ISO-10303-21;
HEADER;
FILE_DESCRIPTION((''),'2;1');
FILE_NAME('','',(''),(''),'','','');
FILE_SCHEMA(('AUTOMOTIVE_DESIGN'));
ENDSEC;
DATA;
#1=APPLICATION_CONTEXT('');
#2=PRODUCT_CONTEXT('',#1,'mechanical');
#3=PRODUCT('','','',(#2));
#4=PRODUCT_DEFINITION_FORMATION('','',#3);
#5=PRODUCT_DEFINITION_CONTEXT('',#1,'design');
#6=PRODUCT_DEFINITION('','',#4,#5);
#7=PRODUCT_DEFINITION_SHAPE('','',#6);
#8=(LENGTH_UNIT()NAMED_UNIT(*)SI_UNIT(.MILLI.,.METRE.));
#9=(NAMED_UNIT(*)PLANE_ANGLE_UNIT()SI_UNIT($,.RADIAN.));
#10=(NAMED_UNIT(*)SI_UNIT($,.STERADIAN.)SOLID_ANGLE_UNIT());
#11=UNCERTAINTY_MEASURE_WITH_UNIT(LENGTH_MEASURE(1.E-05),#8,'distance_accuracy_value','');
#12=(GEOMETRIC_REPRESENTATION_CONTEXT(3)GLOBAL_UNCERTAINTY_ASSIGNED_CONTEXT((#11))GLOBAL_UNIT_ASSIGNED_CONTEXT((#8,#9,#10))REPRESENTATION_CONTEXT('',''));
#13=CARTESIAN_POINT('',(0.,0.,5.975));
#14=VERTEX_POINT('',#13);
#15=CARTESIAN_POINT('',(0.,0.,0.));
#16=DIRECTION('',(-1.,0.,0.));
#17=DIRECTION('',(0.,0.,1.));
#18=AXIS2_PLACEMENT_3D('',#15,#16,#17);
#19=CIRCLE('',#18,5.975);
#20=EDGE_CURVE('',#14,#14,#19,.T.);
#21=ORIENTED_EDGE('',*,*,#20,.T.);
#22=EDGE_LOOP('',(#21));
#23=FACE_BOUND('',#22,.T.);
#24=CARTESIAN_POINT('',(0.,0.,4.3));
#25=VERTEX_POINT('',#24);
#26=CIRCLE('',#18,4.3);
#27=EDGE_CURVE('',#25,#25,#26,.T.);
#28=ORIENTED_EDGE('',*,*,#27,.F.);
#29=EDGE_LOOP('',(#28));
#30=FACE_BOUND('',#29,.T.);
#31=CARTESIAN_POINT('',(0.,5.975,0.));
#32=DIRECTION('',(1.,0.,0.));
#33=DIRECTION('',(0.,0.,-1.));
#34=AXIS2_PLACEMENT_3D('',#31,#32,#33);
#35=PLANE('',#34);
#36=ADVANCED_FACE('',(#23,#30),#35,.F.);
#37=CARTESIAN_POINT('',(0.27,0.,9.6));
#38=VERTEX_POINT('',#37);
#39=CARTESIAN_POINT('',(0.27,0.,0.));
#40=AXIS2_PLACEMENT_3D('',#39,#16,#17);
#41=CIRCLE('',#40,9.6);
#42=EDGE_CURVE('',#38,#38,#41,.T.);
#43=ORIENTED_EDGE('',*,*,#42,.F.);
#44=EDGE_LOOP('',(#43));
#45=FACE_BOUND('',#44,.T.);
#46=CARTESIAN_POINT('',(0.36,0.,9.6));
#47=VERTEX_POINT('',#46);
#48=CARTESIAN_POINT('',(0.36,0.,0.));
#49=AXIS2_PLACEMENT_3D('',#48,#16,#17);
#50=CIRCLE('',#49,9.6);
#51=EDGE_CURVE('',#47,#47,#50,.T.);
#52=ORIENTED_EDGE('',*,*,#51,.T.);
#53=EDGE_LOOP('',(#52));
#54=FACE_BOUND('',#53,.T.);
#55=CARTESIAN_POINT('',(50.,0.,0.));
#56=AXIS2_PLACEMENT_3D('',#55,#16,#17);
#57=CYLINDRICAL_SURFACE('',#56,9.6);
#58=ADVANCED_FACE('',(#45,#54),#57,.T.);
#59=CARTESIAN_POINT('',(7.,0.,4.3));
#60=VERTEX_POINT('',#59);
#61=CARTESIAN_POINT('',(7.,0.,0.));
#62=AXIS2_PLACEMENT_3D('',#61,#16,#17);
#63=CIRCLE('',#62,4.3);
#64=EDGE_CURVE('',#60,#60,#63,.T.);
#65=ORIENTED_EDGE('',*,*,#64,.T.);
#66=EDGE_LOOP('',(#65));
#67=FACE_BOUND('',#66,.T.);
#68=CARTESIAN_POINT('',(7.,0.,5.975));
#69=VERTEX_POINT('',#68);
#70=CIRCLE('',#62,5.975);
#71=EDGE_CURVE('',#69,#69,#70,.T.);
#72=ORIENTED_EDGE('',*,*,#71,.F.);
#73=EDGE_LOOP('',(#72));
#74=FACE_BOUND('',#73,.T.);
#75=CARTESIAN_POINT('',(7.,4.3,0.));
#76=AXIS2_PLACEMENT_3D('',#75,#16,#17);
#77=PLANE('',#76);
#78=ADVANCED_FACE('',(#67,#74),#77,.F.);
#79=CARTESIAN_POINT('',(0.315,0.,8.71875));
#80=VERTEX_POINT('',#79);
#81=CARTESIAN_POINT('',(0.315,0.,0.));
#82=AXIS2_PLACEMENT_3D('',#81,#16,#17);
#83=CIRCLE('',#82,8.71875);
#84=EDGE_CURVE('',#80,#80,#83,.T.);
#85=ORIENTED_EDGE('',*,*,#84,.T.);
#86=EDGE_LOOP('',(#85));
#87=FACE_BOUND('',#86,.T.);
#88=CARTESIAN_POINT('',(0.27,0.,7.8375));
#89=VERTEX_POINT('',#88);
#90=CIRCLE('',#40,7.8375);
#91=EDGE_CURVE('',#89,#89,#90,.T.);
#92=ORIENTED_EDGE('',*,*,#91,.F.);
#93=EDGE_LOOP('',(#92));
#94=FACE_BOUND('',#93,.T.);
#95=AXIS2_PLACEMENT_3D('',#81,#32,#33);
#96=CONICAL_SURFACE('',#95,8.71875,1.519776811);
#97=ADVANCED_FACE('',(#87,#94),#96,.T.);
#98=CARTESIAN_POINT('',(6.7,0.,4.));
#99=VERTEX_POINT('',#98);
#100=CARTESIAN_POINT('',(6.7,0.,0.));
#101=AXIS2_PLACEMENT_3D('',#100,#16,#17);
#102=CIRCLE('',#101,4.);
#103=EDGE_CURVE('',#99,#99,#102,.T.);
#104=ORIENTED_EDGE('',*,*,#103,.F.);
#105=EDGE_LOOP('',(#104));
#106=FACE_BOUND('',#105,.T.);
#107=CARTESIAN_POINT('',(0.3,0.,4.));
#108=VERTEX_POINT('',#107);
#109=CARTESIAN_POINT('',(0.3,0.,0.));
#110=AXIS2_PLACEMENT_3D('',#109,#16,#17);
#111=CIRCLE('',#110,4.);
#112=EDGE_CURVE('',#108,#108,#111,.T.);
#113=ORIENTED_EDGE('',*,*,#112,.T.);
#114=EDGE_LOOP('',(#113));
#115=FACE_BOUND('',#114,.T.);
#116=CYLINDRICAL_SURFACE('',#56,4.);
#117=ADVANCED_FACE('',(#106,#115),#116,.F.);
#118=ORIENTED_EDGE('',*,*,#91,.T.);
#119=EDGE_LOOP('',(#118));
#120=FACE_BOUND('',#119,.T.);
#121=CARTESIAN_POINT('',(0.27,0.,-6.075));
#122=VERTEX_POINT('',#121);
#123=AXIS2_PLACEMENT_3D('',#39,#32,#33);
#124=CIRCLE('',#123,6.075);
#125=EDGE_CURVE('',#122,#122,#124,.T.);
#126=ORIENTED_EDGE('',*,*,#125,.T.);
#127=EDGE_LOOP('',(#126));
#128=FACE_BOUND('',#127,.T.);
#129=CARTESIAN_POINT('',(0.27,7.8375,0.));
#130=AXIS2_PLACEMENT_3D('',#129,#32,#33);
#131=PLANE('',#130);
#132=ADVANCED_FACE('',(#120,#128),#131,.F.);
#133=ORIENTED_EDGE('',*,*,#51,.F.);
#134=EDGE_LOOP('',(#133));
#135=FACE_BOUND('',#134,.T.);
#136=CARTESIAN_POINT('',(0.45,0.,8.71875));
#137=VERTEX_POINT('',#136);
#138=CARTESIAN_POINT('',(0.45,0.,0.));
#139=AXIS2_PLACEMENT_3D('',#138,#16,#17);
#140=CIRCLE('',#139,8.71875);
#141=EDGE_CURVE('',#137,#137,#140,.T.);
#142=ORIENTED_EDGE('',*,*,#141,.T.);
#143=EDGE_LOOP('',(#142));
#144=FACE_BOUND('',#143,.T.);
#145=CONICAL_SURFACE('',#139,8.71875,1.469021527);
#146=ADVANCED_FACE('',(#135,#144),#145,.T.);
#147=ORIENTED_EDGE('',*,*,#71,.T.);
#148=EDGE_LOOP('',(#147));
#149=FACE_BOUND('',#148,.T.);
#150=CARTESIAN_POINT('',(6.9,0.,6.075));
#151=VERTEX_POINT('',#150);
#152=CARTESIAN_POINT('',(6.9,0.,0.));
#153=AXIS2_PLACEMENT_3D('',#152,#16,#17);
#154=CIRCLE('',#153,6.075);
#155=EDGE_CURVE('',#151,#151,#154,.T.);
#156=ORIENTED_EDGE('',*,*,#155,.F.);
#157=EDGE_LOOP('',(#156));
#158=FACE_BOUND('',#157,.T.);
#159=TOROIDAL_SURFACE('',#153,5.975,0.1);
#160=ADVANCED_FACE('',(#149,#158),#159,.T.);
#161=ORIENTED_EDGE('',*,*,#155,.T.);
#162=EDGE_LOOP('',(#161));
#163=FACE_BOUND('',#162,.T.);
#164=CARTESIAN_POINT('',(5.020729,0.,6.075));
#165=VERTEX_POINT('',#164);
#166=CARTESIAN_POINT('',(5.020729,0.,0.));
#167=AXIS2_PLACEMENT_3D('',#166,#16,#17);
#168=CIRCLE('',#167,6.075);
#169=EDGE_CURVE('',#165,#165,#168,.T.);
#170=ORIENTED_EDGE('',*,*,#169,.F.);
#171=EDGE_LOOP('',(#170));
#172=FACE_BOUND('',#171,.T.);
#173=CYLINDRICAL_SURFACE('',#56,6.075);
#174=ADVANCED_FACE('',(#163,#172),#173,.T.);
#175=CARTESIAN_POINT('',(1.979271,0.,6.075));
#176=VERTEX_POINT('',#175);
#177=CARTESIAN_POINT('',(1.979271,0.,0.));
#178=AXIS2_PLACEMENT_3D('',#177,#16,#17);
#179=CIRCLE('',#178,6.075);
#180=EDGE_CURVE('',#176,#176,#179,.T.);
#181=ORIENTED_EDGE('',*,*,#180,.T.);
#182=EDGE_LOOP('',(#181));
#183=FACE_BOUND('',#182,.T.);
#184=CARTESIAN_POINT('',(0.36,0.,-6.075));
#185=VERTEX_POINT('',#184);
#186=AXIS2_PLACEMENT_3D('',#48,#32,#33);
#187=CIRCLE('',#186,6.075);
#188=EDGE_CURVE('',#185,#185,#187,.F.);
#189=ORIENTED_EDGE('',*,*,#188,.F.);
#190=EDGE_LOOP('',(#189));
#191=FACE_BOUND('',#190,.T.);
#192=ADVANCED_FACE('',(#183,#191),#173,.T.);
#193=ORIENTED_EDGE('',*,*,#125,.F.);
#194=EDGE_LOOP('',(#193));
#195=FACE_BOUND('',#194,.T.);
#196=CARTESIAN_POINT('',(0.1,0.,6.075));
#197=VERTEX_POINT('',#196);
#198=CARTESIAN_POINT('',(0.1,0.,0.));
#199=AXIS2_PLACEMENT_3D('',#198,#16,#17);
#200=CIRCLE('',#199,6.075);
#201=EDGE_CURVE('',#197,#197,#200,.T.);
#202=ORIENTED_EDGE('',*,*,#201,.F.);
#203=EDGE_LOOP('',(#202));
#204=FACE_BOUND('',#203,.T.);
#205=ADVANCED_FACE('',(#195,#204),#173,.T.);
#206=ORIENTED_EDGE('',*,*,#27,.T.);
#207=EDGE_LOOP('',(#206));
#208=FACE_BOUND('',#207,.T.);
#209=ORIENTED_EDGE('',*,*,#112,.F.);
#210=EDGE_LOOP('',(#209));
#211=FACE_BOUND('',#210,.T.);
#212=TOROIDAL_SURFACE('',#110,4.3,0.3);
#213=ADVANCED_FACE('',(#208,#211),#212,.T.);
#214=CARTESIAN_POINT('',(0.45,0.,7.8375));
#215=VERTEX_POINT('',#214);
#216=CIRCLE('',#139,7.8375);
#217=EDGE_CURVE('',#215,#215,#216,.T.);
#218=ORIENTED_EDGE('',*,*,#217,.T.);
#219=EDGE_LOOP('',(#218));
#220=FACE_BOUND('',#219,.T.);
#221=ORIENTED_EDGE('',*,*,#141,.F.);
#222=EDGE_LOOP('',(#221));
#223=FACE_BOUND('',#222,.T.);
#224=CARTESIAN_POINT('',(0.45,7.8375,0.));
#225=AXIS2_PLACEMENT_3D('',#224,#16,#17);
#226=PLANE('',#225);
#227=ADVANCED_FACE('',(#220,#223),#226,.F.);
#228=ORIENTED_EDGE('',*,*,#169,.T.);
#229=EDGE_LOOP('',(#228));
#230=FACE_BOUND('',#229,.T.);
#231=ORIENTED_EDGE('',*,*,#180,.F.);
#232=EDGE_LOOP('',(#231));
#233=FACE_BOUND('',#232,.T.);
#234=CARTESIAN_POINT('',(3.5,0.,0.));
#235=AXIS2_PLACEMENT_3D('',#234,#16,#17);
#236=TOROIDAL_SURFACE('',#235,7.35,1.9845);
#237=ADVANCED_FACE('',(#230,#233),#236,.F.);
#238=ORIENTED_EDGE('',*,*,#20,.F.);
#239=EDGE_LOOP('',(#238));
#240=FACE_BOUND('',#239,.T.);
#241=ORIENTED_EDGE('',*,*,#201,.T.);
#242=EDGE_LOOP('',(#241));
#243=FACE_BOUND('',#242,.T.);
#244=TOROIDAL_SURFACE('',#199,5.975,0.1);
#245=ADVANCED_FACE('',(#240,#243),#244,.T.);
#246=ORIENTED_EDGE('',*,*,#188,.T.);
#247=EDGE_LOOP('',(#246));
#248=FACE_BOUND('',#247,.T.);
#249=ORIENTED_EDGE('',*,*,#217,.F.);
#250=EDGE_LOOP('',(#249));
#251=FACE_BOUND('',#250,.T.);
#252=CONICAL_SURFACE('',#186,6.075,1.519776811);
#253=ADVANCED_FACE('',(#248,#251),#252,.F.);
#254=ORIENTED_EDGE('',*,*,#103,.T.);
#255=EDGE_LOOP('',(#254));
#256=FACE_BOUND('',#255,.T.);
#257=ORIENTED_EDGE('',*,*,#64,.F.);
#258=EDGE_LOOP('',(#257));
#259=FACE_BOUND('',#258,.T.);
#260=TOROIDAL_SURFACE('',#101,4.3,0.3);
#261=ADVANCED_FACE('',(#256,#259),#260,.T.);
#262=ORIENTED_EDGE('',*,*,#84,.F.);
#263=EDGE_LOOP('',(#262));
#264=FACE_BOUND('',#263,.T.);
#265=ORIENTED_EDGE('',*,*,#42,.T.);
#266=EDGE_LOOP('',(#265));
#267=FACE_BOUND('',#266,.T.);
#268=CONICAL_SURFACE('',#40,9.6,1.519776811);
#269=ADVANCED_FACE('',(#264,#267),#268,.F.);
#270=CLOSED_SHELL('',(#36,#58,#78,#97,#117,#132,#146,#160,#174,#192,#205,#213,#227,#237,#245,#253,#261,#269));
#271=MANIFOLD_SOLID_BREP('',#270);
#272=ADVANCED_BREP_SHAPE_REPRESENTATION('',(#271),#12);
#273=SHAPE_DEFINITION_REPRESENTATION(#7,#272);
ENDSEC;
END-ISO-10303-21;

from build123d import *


with BuildPart() as part:
    # Skizze1 → Rotation1 (revolve)
    with BuildSketch(Plane.XY):
        with BuildLine():
            Line((0, 5.975), (0, 4.3))
            ThreePointArc((0, 4.3), (0.087867966, 4.087867966), (0.3, 4))
            Line((0.3, 4), (6.7, 4))
            ThreePointArc((6.7, 4), (6.912132034, 4.087867966), (7, 4.3))
            Line((7, 4.3), (7, 5.975))
            ThreePointArc((7, 5.975), (6.970710678, 6.045710678), (6.9, 6.075))
            Line((6.9, 6.075), (5.020728526, 6.075))
            ThreePointArc((5.020728526, 6.075), (3.5, 5.3655), (1.979271474, 6.075))
            Line((1.979271474, 6.075), (0.1, 6.075))
            ThreePointArc((0.1, 6.075), (0.029289322, 6.045710678), (0, 5.975))
        make_face()
    revolve(axis=Axis((50, 0, 0), (-1, 0, 0)))

    # Skizze2 → Rotation2 (revolve)
    with BuildSketch(Plane.XY):
        Polygon((0.27, 9.6), (0.315, 8.71875), (0.27, 7.8375), (0.27, 6.075), (0.36, 6.075), (0.45, 7.8375), (0.45, 8.71875), (0.36, 9.6), align=None)
    revolve(axis=Axis((50, 0, 0), (-1, 0, 0)))


solid = part.part
